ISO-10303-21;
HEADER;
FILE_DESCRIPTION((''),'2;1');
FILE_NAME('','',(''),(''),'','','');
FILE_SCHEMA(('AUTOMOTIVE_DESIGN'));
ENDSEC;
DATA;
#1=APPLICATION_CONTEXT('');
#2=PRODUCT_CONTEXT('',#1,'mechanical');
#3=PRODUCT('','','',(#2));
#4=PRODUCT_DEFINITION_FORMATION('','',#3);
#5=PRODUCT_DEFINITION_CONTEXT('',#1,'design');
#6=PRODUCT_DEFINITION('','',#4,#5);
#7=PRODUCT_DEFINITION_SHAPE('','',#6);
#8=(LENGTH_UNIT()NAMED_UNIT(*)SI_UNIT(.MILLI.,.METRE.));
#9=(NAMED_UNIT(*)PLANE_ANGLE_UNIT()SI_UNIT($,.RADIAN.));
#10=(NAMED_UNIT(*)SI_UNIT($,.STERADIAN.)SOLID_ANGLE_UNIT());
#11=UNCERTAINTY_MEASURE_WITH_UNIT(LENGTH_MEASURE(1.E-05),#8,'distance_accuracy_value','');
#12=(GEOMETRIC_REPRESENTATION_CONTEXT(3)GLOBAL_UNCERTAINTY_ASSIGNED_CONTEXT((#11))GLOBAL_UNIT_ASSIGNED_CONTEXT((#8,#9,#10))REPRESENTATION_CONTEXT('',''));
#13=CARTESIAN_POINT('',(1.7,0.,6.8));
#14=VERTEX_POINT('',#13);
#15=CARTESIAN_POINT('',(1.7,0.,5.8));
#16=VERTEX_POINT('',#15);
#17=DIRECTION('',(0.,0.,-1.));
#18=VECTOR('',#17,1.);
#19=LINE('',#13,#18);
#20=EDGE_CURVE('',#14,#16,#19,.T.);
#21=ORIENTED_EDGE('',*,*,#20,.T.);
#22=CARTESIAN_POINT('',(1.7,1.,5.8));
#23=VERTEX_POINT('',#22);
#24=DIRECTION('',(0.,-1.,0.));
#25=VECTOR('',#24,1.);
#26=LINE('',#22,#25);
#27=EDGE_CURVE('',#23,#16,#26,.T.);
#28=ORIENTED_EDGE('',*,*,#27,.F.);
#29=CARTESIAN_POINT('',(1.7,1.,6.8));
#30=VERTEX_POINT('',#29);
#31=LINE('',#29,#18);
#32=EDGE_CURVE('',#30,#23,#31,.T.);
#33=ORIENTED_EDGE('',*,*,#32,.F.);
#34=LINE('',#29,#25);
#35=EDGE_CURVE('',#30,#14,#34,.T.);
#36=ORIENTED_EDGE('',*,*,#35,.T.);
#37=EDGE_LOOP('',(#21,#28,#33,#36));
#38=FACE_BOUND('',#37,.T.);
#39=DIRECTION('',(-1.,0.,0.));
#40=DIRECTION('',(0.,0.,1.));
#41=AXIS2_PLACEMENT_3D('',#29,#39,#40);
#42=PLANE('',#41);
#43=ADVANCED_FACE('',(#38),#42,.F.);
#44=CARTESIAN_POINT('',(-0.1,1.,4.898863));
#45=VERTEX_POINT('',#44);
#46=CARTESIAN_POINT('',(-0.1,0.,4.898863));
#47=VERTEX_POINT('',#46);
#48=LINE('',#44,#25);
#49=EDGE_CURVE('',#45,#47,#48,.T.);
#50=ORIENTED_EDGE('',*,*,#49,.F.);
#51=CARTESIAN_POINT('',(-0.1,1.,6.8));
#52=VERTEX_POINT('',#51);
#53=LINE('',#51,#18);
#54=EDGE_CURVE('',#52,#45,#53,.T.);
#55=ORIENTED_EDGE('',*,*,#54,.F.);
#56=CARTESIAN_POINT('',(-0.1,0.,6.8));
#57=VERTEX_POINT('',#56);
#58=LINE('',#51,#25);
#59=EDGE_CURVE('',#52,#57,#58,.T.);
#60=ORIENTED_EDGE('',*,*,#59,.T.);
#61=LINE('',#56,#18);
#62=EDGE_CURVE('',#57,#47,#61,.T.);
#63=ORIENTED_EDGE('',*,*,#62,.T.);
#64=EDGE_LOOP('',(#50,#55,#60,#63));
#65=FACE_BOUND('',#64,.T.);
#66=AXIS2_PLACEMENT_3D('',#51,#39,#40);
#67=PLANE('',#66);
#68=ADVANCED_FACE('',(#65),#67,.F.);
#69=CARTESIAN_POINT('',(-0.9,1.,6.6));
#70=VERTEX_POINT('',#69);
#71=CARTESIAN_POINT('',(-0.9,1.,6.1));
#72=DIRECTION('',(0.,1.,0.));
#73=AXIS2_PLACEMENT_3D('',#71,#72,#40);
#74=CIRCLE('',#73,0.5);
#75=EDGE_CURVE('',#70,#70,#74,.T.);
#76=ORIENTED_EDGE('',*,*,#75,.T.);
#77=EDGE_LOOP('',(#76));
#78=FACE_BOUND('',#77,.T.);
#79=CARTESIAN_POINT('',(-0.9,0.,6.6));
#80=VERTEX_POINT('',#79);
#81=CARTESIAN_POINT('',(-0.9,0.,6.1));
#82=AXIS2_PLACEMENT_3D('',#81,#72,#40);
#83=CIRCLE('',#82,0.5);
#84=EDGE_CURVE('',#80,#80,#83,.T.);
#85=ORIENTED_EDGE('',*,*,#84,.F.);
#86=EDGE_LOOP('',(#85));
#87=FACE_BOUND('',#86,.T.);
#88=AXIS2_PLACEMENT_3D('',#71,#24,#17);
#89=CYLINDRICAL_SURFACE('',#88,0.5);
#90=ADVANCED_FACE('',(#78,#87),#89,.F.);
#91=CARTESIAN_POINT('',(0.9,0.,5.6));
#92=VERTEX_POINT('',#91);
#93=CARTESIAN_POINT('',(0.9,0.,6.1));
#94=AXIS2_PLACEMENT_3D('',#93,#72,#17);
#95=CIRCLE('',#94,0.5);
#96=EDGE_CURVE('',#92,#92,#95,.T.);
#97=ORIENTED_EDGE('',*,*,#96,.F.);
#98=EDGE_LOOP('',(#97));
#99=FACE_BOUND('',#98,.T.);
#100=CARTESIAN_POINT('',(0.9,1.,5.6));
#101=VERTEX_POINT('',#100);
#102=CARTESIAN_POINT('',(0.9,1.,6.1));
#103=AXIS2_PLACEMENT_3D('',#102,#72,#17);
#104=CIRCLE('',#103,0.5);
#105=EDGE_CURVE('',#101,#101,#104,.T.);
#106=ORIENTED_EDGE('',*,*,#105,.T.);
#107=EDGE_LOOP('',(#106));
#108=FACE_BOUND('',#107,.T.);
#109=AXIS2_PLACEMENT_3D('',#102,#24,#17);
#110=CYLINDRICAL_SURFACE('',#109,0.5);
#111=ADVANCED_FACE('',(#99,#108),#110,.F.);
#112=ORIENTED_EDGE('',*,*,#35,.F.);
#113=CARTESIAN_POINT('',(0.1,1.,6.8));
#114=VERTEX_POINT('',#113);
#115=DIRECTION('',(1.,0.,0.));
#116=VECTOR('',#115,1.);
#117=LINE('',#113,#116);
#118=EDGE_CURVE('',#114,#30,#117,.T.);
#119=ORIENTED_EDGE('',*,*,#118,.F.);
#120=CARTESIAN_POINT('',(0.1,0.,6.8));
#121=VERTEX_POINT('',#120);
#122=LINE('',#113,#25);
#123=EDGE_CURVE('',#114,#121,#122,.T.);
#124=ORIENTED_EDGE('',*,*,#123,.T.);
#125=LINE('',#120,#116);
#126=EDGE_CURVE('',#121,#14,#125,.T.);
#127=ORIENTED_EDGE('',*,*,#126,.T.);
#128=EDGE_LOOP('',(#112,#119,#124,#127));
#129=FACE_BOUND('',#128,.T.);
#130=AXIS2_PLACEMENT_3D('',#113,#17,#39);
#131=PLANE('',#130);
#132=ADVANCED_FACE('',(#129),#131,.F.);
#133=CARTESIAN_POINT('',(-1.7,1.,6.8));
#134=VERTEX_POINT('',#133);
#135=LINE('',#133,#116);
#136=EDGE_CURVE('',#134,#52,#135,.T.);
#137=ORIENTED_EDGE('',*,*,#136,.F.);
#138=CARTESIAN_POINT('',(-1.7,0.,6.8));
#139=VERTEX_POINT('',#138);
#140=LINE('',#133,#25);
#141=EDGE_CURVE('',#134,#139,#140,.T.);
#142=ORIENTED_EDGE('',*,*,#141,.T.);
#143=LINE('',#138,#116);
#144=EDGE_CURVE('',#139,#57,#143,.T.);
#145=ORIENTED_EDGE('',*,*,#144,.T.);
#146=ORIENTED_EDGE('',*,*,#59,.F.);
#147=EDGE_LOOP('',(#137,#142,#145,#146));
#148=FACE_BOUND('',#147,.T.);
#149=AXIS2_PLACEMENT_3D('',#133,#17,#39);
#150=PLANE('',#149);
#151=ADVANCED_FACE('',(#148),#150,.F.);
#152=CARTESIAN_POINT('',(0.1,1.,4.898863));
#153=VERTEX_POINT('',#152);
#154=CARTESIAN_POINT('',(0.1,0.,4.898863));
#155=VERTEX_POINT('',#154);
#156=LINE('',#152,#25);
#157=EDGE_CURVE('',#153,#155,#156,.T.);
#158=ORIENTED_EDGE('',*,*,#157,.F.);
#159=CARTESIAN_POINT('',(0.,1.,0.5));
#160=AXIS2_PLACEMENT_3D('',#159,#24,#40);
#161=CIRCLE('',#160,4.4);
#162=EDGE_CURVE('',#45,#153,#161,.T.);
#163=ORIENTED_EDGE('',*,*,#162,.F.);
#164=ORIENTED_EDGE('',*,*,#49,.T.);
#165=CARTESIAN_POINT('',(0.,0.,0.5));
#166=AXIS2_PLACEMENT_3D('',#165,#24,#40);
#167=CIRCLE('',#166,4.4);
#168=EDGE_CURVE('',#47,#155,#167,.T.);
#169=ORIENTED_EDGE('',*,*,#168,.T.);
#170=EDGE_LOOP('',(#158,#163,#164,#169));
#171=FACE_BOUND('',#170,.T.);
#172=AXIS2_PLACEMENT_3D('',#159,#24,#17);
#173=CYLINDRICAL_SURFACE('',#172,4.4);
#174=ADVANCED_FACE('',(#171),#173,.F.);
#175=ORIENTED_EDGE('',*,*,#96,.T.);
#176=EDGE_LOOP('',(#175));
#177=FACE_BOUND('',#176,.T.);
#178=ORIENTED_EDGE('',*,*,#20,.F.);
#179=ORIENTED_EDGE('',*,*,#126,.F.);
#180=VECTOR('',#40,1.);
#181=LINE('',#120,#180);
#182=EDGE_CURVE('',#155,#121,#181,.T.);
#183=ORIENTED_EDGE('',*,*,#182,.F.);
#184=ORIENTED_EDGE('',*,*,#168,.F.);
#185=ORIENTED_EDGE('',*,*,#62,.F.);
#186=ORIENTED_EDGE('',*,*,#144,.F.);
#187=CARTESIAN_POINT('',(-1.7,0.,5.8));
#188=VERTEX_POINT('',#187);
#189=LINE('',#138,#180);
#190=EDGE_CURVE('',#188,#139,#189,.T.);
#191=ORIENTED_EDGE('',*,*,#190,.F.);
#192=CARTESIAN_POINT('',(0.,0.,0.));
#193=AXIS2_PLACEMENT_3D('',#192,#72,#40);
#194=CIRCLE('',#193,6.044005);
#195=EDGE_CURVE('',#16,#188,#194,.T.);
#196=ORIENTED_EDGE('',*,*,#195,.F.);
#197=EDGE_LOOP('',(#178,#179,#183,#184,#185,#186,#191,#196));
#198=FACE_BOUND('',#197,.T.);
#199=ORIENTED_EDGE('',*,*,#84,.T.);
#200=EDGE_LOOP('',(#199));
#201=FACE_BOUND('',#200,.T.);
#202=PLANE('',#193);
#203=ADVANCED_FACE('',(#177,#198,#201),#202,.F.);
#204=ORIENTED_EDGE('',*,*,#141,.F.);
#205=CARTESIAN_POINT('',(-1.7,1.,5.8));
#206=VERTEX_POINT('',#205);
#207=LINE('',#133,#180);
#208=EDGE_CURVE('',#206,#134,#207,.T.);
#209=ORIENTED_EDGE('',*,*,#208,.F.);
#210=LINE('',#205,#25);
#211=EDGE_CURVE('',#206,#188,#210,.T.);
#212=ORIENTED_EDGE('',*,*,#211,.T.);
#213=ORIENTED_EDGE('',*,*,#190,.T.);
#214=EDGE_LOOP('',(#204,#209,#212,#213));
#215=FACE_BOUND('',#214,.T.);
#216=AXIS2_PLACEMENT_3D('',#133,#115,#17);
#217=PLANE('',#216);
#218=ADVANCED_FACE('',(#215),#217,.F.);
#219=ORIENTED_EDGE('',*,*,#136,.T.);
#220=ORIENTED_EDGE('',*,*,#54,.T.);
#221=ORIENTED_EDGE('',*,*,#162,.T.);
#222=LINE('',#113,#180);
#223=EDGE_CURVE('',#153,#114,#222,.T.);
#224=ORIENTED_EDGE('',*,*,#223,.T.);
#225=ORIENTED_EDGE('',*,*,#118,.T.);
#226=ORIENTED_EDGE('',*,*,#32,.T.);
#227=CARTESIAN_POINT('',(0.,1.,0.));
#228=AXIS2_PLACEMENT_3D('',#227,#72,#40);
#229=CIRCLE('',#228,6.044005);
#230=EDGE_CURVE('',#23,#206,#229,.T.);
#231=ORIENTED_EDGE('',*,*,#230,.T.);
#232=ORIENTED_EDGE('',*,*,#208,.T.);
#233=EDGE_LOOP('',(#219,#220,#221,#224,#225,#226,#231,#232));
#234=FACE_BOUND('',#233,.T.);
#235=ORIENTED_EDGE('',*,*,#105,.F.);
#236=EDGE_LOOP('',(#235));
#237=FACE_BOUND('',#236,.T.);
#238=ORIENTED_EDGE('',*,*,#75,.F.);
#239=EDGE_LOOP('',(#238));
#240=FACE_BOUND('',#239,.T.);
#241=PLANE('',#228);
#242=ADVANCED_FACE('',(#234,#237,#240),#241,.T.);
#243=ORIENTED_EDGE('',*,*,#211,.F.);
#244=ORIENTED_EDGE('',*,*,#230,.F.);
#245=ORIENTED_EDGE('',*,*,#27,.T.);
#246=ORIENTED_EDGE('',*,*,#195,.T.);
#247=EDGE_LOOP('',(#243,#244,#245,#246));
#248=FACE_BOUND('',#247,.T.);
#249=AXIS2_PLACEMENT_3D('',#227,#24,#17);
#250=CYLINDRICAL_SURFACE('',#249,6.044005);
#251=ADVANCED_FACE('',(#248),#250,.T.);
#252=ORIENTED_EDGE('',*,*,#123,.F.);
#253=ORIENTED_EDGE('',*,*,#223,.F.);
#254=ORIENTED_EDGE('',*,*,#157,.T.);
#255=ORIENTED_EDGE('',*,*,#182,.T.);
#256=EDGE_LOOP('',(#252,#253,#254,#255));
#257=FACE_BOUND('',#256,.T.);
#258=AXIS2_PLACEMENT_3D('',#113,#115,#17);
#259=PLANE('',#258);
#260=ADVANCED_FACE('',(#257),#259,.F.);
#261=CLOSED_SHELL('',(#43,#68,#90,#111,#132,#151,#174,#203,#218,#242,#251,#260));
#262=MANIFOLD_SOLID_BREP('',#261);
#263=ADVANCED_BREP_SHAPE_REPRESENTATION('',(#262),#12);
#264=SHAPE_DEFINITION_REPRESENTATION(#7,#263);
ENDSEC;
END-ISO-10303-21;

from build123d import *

# Parameters (mm, degrees)
SKETCH1_R           = 0.5
BOSS_EXTRUDE1_DEPTH = 1


with BuildPart() as part:
    # Sketch1 → Boss-Extrude1 (new body)
    with BuildSketch(Plane(origin=(0, 0, 0), x_dir=(1, 0, 0), z_dir=(0, 1, 0))):
        with BuildLine():
            Line((-1.7, -6.8), (-0.1, -6.8))
            Line((-0.1, -6.8), (-0.1, -4.89886349))
            ThreePointArc((-0.1, -4.89886349), (0, 3.9), (0.1, -4.89886349))
            Line((0.1, -4.89886349), (0.1, -6.8))
            Line((0.1, -6.8), (1.7, -6.8))
            Line((1.7, -6.8), (1.7, -5.8))
            ThreePointArc((1.7, -5.8), (0, 6.044005295), (-1.7, -5.8))
            Line((-1.7, -5.8), (-1.7, -6.8))
        make_face()
        with Locations((-0.9, -6.1)):
            Circle(SKETCH1_R, mode=Mode.SUBTRACT)
        with Locations((0.9, -6.1)):
            Circle(SKETCH1_R, mode=Mode.SUBTRACT)
    extrude(amount=BOSS_EXTRUDE1_DEPTH)


solid = part.part
